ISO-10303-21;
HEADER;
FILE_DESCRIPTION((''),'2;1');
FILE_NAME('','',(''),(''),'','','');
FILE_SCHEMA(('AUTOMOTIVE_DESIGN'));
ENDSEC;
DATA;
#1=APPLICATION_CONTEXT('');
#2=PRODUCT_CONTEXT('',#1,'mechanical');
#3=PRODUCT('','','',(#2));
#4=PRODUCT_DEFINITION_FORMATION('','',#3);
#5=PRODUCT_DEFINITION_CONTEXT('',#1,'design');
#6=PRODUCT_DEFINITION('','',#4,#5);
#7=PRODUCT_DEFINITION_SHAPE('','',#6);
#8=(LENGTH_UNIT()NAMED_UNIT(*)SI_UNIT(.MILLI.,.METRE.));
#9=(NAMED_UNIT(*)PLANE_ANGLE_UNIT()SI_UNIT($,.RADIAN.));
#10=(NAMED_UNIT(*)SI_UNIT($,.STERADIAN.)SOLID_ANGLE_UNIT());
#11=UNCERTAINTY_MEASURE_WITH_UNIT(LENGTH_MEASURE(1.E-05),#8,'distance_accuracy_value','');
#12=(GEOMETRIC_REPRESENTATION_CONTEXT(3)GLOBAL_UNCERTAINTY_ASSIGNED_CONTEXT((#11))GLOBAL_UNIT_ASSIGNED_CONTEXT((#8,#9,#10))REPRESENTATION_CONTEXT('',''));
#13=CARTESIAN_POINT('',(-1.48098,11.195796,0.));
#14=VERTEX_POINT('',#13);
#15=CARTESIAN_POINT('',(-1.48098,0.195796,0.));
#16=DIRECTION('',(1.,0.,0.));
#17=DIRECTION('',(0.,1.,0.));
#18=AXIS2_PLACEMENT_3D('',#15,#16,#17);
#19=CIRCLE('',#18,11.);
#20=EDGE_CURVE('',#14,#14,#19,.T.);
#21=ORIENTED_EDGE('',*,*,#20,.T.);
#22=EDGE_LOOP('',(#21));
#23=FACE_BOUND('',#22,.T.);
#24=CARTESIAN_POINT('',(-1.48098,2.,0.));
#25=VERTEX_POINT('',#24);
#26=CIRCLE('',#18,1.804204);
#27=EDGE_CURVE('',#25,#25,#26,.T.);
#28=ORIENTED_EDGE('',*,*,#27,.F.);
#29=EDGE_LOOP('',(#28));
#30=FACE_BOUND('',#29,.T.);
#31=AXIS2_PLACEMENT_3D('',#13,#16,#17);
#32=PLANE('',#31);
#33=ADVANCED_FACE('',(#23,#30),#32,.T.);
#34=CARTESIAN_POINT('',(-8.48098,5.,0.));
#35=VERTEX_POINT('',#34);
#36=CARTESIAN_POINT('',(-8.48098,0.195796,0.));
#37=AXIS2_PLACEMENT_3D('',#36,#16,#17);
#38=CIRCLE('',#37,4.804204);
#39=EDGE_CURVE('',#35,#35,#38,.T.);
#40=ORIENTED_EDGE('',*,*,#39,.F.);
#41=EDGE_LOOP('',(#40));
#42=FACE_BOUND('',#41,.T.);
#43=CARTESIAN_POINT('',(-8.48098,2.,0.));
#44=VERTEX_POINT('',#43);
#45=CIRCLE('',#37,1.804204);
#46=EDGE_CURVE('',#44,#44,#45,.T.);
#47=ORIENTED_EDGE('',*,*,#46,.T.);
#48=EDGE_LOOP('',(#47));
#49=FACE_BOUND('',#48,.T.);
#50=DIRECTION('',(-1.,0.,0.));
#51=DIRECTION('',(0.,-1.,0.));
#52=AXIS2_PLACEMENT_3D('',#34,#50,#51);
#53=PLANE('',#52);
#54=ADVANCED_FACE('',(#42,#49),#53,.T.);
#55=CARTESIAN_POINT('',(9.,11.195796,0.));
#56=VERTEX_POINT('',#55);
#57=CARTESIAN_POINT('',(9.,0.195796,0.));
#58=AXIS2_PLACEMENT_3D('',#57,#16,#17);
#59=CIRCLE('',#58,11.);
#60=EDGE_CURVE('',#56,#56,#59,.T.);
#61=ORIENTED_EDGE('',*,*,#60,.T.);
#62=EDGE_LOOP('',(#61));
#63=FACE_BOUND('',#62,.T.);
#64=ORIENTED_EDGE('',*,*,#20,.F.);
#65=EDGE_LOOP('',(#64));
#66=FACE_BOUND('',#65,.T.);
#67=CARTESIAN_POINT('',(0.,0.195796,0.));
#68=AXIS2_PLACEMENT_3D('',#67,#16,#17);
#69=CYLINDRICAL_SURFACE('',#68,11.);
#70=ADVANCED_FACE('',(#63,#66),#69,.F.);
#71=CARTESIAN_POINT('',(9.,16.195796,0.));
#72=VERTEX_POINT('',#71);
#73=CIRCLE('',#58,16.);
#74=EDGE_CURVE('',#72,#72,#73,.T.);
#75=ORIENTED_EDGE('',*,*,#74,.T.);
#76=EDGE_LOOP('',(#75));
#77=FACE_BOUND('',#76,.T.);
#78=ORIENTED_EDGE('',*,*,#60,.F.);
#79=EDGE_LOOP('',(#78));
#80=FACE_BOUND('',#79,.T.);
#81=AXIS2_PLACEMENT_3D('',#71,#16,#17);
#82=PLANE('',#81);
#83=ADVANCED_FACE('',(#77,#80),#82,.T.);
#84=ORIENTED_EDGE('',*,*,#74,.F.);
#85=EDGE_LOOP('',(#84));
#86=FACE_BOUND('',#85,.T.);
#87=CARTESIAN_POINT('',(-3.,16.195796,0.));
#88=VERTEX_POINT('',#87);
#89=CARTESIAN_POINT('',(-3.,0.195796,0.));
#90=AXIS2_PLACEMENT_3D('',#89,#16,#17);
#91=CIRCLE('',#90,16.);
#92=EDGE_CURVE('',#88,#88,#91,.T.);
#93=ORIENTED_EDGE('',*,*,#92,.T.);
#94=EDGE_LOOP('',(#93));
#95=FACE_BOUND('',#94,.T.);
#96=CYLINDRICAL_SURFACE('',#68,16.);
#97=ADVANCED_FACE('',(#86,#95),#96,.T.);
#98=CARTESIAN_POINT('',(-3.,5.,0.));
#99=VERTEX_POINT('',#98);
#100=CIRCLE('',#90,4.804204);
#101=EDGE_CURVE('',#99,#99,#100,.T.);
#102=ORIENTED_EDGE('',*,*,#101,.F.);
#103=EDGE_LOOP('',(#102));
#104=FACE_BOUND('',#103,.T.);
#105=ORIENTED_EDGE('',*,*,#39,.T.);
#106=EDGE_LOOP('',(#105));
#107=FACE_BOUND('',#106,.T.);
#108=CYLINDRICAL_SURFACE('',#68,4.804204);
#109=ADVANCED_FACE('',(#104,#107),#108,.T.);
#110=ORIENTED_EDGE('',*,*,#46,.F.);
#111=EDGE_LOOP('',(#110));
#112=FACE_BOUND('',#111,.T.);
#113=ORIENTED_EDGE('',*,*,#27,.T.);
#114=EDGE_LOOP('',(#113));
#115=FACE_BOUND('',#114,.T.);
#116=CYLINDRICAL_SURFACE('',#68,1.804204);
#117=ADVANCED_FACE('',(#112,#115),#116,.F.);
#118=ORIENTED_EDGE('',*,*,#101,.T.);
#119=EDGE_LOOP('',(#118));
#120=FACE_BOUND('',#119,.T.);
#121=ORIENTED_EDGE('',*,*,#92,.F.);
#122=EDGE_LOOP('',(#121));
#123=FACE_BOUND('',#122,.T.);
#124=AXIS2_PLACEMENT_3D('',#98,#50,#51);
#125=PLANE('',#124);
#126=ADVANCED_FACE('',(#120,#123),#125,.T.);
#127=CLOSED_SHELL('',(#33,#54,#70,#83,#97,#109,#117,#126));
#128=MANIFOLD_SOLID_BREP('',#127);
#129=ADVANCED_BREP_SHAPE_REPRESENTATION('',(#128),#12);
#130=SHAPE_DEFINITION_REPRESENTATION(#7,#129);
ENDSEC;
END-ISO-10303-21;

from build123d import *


with BuildPart() as part:
    # Esboço1 → Revolução1 (revolve)
    with BuildSketch(Plane.XY):
        Polygon((-3, 5), (-3, 16.195796127), (9, 16.195796127), (9, 11.195796127), (-1.480980428, 11.195796127), (-1.480980428, 2), (-8.480980428, 2), (-8.480980428, 5), align=None)
    revolve(axis=Axis((0, 0.195796127, 0), (-1, 0, 0)))


solid = part.part
